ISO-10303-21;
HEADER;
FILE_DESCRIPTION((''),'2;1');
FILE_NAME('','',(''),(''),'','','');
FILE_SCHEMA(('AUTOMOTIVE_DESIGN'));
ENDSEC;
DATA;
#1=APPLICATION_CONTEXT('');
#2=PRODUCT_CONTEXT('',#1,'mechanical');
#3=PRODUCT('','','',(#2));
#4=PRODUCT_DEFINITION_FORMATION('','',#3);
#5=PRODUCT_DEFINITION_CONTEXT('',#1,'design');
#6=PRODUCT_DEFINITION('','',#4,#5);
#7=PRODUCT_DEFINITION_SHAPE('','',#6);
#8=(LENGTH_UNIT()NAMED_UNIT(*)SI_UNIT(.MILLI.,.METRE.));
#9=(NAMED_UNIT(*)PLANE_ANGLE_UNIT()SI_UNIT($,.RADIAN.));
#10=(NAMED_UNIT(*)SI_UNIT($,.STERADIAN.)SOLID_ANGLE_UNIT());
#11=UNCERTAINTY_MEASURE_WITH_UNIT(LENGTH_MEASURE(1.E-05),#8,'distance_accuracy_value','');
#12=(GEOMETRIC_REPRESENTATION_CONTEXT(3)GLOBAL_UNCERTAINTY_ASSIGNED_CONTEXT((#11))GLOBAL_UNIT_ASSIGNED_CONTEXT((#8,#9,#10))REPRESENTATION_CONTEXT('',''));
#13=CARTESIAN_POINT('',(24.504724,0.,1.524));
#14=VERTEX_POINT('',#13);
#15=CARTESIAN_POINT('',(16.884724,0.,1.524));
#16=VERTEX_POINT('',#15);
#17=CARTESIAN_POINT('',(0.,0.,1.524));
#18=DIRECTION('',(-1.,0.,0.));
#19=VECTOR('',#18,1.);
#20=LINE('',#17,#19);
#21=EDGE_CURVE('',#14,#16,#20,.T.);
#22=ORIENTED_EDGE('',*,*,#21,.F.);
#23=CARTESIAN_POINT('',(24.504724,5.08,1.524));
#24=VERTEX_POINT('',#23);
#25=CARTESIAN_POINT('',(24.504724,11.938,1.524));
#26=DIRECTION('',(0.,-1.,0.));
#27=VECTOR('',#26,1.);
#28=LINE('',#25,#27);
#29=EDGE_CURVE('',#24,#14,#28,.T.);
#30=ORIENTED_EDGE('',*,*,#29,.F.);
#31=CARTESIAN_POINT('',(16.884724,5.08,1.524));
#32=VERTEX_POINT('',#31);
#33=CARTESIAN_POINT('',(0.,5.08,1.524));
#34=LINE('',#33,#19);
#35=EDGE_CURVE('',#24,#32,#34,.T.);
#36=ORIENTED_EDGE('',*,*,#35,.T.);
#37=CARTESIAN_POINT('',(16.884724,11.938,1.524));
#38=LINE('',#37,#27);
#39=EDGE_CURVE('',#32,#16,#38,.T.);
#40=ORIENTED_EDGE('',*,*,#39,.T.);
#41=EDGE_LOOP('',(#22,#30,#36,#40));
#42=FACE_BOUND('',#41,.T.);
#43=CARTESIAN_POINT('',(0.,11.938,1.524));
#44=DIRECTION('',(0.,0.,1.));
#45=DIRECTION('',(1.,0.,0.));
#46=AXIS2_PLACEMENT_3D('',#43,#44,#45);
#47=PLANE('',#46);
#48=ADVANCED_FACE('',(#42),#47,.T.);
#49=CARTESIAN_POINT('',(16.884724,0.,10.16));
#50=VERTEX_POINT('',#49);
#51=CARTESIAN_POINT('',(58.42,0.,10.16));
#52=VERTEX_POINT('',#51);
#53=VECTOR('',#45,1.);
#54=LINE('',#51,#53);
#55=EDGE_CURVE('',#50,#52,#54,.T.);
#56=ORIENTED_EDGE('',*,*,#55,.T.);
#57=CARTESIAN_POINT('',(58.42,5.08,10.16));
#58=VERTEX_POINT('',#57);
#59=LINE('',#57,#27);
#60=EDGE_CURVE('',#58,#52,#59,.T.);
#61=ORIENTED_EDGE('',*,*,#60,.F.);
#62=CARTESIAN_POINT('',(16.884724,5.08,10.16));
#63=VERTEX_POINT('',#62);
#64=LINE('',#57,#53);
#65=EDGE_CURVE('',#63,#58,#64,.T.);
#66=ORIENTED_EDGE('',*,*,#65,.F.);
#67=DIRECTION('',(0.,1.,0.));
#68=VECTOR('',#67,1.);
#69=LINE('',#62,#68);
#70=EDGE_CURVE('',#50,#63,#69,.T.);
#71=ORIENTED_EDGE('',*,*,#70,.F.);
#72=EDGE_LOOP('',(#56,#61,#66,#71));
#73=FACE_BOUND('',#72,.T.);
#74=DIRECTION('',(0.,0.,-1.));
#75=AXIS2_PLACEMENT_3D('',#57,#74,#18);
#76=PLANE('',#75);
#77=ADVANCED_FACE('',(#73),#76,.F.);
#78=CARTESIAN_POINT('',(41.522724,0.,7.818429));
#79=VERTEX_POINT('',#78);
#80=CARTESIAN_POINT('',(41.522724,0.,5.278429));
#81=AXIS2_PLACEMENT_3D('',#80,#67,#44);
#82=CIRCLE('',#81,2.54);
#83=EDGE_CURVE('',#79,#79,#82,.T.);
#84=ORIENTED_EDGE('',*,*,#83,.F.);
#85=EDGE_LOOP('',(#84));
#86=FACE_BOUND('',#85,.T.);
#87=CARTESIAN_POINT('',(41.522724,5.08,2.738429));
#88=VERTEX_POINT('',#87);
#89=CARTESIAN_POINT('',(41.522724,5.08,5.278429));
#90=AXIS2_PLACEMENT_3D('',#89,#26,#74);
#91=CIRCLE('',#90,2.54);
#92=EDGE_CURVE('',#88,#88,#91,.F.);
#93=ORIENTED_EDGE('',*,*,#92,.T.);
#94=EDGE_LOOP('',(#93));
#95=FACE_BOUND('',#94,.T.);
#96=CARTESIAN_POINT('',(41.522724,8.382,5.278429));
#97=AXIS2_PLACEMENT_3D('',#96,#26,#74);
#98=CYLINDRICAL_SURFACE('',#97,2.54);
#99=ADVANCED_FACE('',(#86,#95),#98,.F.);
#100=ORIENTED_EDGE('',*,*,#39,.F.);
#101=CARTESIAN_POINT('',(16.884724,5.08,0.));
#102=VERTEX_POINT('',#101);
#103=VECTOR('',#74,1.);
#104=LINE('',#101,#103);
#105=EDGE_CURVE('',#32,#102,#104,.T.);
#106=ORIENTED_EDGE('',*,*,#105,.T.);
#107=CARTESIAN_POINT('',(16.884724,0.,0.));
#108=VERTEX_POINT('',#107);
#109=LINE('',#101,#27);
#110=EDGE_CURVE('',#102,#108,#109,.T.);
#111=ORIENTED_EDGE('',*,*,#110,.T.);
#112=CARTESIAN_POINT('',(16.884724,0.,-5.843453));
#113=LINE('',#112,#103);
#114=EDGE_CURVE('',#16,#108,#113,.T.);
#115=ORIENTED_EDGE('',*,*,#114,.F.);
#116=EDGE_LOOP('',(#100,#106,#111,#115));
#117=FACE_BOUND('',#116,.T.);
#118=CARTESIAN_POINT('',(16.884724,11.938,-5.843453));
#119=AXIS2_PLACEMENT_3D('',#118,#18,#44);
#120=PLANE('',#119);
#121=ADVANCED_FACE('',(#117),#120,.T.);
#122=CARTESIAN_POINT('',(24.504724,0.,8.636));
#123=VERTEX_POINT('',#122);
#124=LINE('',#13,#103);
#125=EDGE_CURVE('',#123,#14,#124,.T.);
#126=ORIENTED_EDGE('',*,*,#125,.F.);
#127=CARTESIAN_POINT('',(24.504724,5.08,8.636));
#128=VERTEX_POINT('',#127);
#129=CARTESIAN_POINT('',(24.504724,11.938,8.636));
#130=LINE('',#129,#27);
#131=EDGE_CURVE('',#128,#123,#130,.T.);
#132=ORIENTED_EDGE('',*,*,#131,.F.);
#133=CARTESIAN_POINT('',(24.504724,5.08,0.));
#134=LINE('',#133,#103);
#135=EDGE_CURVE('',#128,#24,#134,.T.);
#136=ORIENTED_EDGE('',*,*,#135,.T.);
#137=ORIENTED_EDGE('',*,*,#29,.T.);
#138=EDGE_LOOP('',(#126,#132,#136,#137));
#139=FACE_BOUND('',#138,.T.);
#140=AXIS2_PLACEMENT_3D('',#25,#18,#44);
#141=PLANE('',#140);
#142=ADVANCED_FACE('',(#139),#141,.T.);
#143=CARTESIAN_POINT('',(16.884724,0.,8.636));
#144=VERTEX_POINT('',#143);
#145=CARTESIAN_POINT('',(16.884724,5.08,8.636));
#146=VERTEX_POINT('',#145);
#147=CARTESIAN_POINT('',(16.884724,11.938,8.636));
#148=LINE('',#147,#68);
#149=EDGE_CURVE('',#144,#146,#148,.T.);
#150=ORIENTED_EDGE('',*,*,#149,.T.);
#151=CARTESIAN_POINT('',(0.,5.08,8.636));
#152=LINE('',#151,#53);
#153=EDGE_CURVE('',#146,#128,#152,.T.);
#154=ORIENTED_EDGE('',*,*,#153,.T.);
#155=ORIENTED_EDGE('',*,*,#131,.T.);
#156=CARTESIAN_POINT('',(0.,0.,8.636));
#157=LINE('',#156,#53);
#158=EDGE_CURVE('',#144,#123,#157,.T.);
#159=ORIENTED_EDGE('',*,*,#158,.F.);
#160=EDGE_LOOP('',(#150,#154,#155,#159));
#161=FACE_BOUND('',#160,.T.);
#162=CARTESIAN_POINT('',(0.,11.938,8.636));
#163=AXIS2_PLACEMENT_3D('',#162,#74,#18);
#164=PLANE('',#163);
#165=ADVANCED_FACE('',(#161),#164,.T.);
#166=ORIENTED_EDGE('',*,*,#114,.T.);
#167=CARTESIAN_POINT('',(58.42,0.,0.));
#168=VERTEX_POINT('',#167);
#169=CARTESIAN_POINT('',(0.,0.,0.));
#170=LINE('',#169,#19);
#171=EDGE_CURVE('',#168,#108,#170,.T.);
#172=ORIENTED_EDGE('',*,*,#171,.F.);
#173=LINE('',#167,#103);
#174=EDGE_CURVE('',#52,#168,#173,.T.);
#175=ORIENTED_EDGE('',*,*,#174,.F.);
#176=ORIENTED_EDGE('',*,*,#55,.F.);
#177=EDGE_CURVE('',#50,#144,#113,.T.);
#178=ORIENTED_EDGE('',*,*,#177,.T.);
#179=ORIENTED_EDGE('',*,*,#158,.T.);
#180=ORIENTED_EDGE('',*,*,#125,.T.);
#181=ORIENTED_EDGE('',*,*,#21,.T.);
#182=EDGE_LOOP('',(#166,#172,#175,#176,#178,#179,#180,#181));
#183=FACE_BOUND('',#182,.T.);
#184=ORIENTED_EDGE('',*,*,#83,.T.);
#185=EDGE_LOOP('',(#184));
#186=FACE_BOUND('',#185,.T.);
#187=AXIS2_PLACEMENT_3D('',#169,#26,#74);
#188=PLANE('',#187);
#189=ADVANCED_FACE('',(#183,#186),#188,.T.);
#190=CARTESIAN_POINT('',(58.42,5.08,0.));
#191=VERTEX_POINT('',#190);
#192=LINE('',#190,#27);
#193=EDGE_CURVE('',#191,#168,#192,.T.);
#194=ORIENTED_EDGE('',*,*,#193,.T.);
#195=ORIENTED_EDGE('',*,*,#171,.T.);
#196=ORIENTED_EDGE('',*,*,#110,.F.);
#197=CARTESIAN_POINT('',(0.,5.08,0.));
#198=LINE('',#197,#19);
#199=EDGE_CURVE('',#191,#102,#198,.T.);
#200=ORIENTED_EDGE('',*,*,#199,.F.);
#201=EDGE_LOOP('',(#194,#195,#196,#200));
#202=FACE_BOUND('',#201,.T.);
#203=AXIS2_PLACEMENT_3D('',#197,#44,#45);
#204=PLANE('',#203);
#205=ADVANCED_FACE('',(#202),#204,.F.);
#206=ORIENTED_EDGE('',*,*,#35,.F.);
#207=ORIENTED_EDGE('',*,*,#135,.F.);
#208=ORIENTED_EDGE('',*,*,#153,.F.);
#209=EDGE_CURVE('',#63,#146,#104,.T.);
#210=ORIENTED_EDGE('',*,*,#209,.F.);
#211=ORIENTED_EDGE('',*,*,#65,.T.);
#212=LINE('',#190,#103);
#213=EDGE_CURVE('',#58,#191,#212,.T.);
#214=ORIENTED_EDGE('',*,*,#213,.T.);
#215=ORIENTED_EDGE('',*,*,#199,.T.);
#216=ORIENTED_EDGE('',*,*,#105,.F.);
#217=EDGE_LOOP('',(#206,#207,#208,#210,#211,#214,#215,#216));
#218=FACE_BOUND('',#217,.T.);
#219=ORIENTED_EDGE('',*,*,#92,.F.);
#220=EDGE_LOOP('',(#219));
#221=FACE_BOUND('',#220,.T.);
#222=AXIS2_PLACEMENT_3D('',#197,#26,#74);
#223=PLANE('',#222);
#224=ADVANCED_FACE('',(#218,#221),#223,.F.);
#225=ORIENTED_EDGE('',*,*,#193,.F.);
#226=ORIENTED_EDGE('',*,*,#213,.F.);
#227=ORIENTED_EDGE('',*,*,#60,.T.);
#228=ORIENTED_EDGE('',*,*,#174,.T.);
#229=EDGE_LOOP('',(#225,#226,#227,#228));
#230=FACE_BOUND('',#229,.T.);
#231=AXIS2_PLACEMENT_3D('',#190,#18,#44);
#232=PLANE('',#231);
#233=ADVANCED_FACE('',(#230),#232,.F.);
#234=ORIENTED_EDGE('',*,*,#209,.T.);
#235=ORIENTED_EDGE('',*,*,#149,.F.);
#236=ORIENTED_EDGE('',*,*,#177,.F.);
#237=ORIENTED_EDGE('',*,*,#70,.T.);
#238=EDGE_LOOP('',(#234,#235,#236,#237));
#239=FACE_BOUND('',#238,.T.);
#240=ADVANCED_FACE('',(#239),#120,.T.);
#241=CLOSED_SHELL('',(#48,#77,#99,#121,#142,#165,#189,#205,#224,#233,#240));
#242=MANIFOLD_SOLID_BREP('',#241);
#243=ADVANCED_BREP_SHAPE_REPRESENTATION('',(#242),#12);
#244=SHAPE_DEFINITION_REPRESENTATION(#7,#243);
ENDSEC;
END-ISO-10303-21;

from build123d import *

# Parameters (mm, degrees)
SKETCH1_W           = 58.42
SKETCH1_H           = 10.16
BOSS_EXTRUDE2_DEPTH = 5.08
SKETCH2_W           = 24.504723829
SKETCH2_H           = 7.112
CUT_EXTRUDE1_DEPTH  = 11.938
SKETCH3_W           = 16.975122841
SKETCH3_H           = 18.193068874
CUT_EXTRUDE2_DEPTH  = 11.938
SKETCH4_R           = 2.54
CUT_EXTRUDE3_DEPTH  = 8.382


with BuildPart() as part:
    # Sketch1 → Boss-Extrude2 (new body)
    with BuildSketch(Plane(origin=(0, 0, 0), x_dir=(1, 0, 0), z_dir=(0, 1, 0))):
        with Locations((29.21, -5.08)):
            Rectangle(SKETCH1_W, SKETCH1_H)
    extrude(amount=BOSS_EXTRUDE2_DEPTH)

    # Sketch2 → Cut-Extrude1 (cut)
    with BuildSketch(Plane(origin=(0, 0, 0), x_dir=(1, 0, 0), z_dir=(0, 1, 0))):
        with Locations((12.252361915, -5.08)):
            Rectangle(SKETCH2_W, SKETCH2_H)
    extrude(amount=CUT_EXTRUDE1_DEPTH, mode=Mode.SUBTRACT)

    # Sketch3 → Cut-Extrude2 (cut)
    with BuildSketch(Plane(origin=(0, 0, 0), x_dir=(1, 0, 0), z_dir=(0, 1, 0))):
        with Locations((8.397162409, -3.25308095)):
            Rectangle(SKETCH3_W, SKETCH3_H)
    extrude(amount=CUT_EXTRUDE2_DEPTH, mode=Mode.SUBTRACT)

    # Sketch4 → Cut-Extrude3 (cut)
    with BuildSketch(Plane(origin=(0, 0, 0), x_dir=(1, 0, 0), z_dir=(0, 1, 0))):
        with Locations(Location((41.522723829, -5.27842891, 0), (0, 0, 90))):
            Circle(SKETCH4_R)
    extrude(amount=CUT_EXTRUDE3_DEPTH, mode=Mode.SUBTRACT)


solid = part.part
